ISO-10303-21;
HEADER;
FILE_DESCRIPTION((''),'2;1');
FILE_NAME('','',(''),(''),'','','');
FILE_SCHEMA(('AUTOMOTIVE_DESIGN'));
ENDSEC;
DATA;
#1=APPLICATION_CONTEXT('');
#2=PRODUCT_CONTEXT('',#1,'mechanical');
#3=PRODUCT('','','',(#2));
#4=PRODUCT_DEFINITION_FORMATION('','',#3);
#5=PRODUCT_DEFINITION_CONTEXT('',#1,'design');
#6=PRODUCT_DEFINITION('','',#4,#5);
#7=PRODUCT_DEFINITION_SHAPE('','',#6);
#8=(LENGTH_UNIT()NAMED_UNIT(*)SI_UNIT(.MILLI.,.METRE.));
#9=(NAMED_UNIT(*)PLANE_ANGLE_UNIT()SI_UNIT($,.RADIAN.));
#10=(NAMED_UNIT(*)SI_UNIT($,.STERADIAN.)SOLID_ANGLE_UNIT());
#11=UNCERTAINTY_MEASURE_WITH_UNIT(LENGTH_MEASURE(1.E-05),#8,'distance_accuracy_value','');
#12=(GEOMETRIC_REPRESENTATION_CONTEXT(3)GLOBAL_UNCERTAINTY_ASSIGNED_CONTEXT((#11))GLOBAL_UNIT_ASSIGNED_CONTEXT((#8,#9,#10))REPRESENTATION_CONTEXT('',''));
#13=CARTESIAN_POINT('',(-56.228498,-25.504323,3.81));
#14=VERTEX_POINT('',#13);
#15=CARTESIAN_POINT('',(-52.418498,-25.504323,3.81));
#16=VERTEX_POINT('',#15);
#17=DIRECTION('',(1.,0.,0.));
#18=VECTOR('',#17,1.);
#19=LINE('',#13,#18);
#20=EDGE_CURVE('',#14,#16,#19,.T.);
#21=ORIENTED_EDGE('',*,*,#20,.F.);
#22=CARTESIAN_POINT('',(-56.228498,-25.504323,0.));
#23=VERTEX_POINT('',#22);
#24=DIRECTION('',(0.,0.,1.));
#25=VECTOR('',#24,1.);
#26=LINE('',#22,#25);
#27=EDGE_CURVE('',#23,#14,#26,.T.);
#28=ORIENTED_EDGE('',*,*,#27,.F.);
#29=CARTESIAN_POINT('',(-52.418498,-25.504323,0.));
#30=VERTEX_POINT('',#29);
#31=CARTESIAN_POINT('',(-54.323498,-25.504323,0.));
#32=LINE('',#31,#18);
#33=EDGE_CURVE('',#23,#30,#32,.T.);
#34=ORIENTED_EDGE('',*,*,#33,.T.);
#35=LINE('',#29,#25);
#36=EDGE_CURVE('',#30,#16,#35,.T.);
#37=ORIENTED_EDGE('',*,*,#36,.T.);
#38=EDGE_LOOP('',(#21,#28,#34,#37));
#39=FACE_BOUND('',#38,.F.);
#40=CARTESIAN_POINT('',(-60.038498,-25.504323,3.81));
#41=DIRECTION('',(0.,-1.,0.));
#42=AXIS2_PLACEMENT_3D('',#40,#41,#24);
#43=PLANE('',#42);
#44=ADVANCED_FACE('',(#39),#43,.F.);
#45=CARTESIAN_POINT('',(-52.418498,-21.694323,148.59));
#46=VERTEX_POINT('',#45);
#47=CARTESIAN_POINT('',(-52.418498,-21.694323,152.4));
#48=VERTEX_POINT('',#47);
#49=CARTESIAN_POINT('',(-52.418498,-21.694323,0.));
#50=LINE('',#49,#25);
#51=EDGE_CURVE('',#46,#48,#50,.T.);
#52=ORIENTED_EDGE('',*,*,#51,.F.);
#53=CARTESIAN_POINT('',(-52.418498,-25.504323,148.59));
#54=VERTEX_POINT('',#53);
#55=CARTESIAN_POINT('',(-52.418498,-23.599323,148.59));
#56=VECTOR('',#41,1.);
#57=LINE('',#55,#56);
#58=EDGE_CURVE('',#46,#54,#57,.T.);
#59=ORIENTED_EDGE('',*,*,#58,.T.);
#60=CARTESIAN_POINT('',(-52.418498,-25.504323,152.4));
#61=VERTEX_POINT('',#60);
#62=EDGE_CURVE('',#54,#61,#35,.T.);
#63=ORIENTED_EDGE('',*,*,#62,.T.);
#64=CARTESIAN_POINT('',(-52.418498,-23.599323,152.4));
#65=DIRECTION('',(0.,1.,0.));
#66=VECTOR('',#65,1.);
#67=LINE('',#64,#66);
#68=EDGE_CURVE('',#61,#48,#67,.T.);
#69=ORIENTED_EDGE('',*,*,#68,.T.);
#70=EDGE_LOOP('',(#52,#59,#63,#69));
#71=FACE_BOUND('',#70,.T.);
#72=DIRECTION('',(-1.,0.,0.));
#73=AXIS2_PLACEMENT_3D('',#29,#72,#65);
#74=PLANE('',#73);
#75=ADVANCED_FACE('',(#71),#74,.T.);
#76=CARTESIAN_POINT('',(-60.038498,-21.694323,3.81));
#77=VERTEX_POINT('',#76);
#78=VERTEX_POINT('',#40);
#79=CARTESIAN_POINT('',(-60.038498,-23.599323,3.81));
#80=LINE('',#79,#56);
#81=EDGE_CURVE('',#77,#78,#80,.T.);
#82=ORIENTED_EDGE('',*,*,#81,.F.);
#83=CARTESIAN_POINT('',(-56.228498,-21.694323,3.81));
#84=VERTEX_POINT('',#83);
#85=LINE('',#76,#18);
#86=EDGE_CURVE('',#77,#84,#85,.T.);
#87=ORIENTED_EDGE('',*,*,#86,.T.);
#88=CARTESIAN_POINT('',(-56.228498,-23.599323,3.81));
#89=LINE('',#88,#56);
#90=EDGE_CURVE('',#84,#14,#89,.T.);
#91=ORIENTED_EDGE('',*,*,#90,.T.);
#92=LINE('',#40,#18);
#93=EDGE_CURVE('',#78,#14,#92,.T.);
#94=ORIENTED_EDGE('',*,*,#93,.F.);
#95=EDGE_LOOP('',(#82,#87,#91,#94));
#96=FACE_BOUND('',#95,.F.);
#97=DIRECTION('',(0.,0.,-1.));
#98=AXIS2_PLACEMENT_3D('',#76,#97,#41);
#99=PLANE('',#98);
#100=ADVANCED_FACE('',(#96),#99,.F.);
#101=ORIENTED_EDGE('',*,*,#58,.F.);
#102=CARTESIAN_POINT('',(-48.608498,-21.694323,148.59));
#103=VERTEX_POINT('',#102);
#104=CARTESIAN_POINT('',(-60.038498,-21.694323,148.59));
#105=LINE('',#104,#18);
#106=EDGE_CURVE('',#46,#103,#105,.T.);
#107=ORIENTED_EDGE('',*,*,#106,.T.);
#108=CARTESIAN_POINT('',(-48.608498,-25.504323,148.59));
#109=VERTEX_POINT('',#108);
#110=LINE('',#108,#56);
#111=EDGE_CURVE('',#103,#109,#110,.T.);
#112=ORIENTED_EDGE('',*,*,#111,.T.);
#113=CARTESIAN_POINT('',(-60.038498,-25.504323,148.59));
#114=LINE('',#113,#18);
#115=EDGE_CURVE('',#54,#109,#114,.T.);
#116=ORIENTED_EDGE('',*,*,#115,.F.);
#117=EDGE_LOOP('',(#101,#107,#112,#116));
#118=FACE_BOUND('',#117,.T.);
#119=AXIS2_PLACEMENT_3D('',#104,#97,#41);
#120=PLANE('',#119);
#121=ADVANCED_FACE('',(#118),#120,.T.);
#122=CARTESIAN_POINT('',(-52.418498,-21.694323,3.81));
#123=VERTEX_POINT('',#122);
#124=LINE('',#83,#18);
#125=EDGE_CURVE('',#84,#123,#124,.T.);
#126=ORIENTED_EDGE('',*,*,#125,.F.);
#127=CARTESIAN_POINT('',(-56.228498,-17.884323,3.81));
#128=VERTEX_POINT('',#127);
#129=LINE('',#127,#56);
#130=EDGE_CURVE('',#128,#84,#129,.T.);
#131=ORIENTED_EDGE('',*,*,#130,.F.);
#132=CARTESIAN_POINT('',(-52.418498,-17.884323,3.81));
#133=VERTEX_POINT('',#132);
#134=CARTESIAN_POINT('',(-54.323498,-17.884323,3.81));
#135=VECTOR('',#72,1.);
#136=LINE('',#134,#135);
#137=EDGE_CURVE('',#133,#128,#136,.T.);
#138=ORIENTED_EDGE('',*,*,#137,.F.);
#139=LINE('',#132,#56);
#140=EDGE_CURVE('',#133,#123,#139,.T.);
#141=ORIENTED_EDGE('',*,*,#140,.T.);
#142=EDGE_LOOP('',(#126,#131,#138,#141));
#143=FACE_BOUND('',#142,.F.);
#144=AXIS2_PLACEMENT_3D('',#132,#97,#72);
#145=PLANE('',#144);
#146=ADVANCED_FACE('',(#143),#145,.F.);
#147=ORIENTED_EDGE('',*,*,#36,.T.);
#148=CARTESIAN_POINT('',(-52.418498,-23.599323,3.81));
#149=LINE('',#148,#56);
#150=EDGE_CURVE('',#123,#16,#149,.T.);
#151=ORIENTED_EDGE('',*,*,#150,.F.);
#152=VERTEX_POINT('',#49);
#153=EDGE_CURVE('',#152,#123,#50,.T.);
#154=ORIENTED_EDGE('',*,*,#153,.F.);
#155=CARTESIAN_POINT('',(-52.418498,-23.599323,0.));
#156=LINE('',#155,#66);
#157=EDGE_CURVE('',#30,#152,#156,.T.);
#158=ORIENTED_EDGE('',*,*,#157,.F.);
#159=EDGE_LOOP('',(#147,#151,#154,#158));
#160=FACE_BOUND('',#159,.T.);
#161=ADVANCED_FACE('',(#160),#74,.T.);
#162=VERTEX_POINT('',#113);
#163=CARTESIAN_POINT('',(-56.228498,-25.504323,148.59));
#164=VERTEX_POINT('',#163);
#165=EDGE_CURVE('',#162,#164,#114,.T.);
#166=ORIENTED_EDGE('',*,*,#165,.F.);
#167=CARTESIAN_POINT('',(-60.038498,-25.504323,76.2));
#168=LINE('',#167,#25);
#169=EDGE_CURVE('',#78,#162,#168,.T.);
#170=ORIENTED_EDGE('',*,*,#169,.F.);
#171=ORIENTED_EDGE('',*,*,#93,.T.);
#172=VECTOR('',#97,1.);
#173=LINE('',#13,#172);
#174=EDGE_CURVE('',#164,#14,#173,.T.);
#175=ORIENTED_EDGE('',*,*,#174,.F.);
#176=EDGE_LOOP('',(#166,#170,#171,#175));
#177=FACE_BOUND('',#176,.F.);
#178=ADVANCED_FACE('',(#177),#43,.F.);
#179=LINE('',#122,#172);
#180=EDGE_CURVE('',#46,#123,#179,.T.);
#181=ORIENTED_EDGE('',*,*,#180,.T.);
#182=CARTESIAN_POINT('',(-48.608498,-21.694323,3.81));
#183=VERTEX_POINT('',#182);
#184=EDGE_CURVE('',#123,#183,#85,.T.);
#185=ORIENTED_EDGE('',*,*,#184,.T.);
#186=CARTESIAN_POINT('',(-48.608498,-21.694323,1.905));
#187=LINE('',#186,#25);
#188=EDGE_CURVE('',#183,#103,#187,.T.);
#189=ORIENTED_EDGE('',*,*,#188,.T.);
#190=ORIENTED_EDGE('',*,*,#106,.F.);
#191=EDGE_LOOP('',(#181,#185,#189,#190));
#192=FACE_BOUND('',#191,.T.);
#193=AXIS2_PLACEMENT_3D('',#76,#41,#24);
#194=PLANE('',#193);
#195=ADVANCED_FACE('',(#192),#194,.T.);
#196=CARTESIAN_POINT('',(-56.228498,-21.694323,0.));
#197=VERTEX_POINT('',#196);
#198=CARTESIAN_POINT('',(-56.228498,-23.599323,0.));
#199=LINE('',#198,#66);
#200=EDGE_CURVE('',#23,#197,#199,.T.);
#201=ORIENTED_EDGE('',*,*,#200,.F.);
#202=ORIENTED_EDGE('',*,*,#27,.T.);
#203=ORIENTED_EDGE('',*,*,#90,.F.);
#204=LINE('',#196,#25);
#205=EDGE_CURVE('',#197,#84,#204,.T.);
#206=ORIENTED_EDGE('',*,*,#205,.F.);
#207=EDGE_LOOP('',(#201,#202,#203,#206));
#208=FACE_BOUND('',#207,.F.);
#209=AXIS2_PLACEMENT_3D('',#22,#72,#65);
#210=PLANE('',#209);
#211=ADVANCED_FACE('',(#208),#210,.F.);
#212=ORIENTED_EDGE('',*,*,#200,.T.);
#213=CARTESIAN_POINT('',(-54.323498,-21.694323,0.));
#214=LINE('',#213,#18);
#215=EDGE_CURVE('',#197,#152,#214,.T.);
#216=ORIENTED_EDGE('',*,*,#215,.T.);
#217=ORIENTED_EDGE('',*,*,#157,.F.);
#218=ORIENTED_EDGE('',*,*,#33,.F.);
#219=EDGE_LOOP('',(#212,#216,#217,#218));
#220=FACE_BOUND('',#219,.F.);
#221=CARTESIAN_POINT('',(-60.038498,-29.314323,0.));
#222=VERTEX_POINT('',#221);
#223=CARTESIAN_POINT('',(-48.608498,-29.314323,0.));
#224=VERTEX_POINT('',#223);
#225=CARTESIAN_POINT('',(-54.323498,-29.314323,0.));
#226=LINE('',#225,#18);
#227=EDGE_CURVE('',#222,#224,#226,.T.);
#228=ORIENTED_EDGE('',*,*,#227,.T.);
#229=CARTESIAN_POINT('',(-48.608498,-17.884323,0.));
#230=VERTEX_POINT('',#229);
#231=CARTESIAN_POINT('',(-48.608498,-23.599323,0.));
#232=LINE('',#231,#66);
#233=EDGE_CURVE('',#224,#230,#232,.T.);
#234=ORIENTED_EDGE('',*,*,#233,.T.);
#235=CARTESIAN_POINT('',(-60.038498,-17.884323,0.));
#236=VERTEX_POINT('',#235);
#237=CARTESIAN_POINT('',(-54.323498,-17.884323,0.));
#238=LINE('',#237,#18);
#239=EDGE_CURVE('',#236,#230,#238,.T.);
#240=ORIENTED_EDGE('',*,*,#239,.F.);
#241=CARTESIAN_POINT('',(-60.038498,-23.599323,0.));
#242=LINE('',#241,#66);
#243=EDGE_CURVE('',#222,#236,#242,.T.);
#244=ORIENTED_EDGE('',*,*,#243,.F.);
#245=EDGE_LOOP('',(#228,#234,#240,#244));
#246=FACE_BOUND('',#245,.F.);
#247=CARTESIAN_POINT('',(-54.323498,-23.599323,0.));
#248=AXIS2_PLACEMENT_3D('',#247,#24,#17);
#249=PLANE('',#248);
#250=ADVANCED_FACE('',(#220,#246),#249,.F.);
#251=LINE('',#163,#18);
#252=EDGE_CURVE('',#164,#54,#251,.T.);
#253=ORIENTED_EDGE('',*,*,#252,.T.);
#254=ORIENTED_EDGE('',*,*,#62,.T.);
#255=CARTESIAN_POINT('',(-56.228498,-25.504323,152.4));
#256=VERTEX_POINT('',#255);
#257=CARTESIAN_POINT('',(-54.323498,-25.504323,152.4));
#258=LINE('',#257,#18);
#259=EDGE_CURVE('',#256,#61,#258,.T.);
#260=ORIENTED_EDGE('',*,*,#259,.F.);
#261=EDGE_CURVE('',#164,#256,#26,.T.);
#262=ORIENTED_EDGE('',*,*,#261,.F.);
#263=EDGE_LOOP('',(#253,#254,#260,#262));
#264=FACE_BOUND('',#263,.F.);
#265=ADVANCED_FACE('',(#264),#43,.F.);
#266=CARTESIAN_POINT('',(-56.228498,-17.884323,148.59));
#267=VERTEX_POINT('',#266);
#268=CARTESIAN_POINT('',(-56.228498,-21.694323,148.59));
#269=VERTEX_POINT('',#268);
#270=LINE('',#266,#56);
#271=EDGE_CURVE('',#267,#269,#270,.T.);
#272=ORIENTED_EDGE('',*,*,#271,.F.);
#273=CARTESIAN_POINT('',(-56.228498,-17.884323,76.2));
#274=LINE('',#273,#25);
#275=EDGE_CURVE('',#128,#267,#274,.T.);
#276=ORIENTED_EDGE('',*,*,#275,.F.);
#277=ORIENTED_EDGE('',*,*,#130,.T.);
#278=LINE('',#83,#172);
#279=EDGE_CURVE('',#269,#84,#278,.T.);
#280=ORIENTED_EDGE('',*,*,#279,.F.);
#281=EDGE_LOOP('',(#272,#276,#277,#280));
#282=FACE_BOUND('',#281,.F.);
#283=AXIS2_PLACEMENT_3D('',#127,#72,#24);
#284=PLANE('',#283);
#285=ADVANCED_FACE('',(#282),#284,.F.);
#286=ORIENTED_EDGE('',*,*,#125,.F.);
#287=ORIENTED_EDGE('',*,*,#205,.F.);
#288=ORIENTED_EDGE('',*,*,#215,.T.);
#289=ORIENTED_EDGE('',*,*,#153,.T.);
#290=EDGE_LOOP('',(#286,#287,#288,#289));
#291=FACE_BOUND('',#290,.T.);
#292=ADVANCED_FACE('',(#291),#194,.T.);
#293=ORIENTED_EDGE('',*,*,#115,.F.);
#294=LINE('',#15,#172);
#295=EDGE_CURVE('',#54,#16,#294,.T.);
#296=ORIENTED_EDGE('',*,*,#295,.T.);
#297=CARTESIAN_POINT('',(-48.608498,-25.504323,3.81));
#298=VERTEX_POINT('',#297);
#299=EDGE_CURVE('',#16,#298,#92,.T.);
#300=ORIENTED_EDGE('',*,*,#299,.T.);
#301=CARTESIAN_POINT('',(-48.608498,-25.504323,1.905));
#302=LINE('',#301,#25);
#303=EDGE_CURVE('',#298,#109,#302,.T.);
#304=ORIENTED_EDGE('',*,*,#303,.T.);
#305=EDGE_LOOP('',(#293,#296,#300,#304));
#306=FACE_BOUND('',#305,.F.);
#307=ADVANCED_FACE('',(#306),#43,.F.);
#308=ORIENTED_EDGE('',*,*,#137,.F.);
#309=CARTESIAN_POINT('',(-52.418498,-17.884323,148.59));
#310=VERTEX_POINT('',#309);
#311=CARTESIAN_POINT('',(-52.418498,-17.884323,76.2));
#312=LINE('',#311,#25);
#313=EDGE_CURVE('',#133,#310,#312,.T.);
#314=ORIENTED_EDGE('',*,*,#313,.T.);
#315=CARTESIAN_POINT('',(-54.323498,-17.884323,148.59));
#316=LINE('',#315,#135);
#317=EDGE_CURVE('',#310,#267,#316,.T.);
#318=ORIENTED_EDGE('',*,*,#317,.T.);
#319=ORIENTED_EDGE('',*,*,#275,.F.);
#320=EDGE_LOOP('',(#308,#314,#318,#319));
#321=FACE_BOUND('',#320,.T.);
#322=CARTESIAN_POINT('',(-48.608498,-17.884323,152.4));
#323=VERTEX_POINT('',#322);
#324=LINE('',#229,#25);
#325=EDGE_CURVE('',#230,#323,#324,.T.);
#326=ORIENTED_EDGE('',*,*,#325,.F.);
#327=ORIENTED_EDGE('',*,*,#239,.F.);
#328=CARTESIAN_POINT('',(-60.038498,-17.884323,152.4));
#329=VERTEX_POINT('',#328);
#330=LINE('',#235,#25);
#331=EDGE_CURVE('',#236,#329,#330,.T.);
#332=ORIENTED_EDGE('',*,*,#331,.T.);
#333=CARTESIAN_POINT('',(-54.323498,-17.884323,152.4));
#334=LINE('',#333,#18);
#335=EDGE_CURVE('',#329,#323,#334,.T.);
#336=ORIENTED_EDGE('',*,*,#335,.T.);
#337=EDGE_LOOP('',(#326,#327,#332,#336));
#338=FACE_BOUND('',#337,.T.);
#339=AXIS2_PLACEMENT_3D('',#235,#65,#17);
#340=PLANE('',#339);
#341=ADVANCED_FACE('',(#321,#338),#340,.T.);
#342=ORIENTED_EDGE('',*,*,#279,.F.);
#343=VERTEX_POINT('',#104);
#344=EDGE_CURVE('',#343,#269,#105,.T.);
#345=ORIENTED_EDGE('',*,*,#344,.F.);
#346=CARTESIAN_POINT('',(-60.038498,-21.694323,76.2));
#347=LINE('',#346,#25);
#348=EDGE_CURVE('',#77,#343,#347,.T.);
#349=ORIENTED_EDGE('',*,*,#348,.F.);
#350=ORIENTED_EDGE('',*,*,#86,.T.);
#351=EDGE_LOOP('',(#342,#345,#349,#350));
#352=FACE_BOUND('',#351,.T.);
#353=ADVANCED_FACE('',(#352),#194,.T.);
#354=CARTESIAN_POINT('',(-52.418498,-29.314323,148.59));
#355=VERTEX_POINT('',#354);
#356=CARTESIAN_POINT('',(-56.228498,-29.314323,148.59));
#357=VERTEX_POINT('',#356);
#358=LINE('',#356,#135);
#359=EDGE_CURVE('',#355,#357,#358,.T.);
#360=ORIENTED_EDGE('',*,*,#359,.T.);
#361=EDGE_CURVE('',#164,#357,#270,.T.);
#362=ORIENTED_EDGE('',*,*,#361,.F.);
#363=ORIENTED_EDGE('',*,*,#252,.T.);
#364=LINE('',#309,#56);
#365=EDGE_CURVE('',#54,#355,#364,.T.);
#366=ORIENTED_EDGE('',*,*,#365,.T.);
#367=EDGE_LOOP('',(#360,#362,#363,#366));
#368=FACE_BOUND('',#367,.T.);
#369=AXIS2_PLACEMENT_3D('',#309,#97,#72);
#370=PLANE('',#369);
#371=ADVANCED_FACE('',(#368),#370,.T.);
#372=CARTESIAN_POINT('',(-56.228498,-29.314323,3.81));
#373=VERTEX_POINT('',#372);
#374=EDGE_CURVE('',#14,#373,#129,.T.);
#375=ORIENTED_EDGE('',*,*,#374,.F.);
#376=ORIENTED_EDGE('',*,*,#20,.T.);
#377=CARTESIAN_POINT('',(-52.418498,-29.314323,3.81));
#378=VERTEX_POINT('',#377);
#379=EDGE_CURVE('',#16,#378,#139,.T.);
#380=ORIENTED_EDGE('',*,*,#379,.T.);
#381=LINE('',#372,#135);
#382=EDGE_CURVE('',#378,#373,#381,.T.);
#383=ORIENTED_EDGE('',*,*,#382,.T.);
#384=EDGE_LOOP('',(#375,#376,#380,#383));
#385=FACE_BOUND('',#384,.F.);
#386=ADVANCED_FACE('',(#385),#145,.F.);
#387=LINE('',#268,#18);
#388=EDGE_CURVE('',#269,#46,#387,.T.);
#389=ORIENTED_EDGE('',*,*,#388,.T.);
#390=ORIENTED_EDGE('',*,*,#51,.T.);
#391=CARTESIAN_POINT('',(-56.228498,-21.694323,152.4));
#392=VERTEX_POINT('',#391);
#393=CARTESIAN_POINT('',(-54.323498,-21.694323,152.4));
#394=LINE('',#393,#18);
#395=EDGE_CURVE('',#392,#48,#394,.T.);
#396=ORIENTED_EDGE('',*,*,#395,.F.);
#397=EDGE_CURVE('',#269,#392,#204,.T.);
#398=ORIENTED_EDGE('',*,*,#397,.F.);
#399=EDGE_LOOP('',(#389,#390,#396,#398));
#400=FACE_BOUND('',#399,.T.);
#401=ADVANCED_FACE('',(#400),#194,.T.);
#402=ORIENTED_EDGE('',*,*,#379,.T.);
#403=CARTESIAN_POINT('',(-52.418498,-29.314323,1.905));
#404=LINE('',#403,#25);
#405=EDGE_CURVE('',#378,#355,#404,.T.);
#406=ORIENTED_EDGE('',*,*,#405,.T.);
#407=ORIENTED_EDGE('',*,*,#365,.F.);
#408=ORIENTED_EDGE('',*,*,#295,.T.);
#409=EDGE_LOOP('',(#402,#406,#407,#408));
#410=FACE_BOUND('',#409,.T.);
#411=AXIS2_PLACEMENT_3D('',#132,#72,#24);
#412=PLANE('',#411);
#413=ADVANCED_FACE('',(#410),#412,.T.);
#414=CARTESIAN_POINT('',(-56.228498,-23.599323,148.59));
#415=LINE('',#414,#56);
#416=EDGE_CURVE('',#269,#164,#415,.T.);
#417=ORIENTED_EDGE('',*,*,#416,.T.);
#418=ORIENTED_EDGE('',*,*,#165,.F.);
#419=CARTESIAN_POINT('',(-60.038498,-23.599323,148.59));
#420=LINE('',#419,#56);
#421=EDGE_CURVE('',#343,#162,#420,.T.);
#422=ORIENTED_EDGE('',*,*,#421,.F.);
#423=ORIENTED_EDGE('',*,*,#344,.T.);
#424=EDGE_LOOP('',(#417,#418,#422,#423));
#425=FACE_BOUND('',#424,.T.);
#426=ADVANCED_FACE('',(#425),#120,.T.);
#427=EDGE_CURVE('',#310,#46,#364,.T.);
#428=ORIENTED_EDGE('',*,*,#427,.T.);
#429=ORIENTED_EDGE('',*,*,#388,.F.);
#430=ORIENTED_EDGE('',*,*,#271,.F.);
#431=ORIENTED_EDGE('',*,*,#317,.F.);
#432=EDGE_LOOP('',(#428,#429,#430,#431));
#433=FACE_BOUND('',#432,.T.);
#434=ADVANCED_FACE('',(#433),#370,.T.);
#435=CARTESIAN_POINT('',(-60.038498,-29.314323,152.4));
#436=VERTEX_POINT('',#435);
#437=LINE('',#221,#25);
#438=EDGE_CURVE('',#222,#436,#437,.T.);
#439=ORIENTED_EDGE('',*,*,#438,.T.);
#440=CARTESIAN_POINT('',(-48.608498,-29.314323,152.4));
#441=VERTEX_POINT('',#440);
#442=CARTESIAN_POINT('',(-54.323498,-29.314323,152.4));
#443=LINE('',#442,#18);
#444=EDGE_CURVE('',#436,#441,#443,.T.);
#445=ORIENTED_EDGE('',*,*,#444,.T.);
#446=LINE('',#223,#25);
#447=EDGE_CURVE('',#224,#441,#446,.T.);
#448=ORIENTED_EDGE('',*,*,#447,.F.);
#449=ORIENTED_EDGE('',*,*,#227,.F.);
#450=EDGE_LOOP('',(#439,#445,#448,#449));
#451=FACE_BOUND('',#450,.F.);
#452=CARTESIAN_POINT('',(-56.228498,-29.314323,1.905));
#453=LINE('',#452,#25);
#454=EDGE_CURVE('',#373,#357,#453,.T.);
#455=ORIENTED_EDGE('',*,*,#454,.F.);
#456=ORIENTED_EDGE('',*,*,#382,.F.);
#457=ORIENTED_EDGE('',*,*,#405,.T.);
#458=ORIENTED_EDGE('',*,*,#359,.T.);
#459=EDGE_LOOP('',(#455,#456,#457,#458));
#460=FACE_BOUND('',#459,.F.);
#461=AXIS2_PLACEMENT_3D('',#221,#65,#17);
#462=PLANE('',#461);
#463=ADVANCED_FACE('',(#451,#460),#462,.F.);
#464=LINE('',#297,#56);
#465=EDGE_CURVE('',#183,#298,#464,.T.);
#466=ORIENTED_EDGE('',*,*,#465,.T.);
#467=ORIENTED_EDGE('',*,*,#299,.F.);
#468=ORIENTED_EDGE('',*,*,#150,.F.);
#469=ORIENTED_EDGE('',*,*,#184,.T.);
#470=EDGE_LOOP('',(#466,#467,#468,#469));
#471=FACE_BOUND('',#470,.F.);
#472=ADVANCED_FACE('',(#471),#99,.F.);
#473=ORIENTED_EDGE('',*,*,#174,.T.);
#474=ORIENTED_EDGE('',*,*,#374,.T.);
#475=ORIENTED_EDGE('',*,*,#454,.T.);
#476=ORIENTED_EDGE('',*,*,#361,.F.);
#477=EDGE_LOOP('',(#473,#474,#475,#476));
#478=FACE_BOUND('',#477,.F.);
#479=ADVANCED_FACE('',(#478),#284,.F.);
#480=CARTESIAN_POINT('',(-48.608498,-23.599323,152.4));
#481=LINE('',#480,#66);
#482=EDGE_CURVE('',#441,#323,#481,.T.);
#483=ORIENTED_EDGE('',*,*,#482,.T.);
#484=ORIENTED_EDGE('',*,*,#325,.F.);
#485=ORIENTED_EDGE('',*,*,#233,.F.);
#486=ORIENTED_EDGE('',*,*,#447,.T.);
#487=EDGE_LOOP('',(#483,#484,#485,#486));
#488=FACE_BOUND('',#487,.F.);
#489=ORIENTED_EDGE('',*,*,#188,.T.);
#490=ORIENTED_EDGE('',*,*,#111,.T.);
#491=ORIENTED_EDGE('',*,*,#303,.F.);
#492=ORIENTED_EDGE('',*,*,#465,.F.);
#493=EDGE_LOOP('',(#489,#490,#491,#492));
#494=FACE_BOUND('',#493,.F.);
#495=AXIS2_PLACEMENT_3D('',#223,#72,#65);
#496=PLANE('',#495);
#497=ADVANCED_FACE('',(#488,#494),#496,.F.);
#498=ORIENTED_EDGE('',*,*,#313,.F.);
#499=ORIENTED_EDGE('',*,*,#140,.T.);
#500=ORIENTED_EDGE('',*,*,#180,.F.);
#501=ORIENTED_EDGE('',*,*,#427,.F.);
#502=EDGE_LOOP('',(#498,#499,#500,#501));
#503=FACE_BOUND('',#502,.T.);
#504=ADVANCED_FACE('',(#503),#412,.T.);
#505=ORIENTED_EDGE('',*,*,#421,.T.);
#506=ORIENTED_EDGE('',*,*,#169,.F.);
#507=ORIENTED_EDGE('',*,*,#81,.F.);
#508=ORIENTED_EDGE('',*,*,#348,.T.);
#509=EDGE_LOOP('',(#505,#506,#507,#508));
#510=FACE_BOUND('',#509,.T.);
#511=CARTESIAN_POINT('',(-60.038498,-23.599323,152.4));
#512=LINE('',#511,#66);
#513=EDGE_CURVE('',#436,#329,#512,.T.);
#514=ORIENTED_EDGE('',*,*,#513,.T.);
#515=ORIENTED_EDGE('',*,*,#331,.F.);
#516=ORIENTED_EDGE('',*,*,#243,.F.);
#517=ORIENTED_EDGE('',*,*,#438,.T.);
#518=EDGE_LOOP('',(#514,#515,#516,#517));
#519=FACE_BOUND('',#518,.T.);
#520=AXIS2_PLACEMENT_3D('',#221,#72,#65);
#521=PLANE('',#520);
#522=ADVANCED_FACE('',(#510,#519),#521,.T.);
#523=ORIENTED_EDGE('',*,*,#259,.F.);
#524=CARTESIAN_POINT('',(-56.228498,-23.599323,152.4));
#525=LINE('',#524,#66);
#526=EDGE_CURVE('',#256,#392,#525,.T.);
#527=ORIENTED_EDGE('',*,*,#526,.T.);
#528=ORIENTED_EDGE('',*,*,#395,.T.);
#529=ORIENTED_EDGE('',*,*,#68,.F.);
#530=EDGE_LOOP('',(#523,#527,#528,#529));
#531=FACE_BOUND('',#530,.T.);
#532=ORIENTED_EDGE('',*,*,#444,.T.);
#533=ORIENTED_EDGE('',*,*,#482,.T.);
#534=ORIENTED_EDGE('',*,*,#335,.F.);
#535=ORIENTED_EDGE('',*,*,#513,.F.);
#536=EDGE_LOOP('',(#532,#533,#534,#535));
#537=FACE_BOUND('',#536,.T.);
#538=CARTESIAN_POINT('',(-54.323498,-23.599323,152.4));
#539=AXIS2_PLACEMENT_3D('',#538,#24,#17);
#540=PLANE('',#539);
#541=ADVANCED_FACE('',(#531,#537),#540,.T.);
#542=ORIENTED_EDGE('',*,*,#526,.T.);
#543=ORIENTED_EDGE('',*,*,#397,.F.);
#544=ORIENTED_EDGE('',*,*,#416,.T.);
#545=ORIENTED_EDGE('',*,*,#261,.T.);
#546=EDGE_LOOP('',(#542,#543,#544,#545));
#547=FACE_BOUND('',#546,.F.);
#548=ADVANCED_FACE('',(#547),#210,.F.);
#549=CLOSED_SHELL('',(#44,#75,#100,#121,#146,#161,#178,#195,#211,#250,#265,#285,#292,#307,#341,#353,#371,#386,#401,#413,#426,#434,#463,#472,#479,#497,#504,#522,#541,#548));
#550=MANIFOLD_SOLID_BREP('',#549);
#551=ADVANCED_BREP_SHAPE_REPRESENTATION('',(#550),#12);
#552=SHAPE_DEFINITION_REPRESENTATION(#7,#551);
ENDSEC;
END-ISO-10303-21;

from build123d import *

# Parameters (mm, degrees)
F0_W     = 11.43
F0_H     = 11.43
F0_W_2   = 3.81
F0_H_2   = 3.81
F1_DEPTH = 152.4
F2_W     = 3.81
F2_H     = 144.78
F3_DEPTH = 25.4
F4_W     = 3.81
F4_H     = 144.78
F5_DEPTH = 25.4


with BuildPart() as f1:
    # F0 (on Top) → F1 (new body)
    with BuildSketch(Plane.XY):
        with Locations((-54.323498, -23.599323)):
            Rectangle(F0_W, F0_H)
        with Locations((-54.323498, -23.599323)):
            Rectangle(F0_W_2, F0_H_2, mode=Mode.SUBTRACT)
    extrude(amount=F1_DEPTH)

    # F2 (on face) → F3 (cut)
    with BuildSketch(Plane(origin=(-60.038498, 0, 0), x_dir=(0, -1, 0), z_dir=(-1, 0, 0))):
        with Locations((23.599323, 76.2)):
            Rectangle(F2_W, F2_H)
    extrude(amount=-F3_DEPTH, mode=Mode.SUBTRACT)

    # F4 (on face) → F5 (cut)
    with BuildSketch(Plane(origin=(0, -17.884323, 0), x_dir=(-1, 0, 0), z_dir=(0, 1, 0))):
        with Locations((54.323498, 76.2)):
            Rectangle(F4_W, F4_H)
    extrude(amount=-F5_DEPTH, mode=Mode.SUBTRACT)


solid = f1.part
